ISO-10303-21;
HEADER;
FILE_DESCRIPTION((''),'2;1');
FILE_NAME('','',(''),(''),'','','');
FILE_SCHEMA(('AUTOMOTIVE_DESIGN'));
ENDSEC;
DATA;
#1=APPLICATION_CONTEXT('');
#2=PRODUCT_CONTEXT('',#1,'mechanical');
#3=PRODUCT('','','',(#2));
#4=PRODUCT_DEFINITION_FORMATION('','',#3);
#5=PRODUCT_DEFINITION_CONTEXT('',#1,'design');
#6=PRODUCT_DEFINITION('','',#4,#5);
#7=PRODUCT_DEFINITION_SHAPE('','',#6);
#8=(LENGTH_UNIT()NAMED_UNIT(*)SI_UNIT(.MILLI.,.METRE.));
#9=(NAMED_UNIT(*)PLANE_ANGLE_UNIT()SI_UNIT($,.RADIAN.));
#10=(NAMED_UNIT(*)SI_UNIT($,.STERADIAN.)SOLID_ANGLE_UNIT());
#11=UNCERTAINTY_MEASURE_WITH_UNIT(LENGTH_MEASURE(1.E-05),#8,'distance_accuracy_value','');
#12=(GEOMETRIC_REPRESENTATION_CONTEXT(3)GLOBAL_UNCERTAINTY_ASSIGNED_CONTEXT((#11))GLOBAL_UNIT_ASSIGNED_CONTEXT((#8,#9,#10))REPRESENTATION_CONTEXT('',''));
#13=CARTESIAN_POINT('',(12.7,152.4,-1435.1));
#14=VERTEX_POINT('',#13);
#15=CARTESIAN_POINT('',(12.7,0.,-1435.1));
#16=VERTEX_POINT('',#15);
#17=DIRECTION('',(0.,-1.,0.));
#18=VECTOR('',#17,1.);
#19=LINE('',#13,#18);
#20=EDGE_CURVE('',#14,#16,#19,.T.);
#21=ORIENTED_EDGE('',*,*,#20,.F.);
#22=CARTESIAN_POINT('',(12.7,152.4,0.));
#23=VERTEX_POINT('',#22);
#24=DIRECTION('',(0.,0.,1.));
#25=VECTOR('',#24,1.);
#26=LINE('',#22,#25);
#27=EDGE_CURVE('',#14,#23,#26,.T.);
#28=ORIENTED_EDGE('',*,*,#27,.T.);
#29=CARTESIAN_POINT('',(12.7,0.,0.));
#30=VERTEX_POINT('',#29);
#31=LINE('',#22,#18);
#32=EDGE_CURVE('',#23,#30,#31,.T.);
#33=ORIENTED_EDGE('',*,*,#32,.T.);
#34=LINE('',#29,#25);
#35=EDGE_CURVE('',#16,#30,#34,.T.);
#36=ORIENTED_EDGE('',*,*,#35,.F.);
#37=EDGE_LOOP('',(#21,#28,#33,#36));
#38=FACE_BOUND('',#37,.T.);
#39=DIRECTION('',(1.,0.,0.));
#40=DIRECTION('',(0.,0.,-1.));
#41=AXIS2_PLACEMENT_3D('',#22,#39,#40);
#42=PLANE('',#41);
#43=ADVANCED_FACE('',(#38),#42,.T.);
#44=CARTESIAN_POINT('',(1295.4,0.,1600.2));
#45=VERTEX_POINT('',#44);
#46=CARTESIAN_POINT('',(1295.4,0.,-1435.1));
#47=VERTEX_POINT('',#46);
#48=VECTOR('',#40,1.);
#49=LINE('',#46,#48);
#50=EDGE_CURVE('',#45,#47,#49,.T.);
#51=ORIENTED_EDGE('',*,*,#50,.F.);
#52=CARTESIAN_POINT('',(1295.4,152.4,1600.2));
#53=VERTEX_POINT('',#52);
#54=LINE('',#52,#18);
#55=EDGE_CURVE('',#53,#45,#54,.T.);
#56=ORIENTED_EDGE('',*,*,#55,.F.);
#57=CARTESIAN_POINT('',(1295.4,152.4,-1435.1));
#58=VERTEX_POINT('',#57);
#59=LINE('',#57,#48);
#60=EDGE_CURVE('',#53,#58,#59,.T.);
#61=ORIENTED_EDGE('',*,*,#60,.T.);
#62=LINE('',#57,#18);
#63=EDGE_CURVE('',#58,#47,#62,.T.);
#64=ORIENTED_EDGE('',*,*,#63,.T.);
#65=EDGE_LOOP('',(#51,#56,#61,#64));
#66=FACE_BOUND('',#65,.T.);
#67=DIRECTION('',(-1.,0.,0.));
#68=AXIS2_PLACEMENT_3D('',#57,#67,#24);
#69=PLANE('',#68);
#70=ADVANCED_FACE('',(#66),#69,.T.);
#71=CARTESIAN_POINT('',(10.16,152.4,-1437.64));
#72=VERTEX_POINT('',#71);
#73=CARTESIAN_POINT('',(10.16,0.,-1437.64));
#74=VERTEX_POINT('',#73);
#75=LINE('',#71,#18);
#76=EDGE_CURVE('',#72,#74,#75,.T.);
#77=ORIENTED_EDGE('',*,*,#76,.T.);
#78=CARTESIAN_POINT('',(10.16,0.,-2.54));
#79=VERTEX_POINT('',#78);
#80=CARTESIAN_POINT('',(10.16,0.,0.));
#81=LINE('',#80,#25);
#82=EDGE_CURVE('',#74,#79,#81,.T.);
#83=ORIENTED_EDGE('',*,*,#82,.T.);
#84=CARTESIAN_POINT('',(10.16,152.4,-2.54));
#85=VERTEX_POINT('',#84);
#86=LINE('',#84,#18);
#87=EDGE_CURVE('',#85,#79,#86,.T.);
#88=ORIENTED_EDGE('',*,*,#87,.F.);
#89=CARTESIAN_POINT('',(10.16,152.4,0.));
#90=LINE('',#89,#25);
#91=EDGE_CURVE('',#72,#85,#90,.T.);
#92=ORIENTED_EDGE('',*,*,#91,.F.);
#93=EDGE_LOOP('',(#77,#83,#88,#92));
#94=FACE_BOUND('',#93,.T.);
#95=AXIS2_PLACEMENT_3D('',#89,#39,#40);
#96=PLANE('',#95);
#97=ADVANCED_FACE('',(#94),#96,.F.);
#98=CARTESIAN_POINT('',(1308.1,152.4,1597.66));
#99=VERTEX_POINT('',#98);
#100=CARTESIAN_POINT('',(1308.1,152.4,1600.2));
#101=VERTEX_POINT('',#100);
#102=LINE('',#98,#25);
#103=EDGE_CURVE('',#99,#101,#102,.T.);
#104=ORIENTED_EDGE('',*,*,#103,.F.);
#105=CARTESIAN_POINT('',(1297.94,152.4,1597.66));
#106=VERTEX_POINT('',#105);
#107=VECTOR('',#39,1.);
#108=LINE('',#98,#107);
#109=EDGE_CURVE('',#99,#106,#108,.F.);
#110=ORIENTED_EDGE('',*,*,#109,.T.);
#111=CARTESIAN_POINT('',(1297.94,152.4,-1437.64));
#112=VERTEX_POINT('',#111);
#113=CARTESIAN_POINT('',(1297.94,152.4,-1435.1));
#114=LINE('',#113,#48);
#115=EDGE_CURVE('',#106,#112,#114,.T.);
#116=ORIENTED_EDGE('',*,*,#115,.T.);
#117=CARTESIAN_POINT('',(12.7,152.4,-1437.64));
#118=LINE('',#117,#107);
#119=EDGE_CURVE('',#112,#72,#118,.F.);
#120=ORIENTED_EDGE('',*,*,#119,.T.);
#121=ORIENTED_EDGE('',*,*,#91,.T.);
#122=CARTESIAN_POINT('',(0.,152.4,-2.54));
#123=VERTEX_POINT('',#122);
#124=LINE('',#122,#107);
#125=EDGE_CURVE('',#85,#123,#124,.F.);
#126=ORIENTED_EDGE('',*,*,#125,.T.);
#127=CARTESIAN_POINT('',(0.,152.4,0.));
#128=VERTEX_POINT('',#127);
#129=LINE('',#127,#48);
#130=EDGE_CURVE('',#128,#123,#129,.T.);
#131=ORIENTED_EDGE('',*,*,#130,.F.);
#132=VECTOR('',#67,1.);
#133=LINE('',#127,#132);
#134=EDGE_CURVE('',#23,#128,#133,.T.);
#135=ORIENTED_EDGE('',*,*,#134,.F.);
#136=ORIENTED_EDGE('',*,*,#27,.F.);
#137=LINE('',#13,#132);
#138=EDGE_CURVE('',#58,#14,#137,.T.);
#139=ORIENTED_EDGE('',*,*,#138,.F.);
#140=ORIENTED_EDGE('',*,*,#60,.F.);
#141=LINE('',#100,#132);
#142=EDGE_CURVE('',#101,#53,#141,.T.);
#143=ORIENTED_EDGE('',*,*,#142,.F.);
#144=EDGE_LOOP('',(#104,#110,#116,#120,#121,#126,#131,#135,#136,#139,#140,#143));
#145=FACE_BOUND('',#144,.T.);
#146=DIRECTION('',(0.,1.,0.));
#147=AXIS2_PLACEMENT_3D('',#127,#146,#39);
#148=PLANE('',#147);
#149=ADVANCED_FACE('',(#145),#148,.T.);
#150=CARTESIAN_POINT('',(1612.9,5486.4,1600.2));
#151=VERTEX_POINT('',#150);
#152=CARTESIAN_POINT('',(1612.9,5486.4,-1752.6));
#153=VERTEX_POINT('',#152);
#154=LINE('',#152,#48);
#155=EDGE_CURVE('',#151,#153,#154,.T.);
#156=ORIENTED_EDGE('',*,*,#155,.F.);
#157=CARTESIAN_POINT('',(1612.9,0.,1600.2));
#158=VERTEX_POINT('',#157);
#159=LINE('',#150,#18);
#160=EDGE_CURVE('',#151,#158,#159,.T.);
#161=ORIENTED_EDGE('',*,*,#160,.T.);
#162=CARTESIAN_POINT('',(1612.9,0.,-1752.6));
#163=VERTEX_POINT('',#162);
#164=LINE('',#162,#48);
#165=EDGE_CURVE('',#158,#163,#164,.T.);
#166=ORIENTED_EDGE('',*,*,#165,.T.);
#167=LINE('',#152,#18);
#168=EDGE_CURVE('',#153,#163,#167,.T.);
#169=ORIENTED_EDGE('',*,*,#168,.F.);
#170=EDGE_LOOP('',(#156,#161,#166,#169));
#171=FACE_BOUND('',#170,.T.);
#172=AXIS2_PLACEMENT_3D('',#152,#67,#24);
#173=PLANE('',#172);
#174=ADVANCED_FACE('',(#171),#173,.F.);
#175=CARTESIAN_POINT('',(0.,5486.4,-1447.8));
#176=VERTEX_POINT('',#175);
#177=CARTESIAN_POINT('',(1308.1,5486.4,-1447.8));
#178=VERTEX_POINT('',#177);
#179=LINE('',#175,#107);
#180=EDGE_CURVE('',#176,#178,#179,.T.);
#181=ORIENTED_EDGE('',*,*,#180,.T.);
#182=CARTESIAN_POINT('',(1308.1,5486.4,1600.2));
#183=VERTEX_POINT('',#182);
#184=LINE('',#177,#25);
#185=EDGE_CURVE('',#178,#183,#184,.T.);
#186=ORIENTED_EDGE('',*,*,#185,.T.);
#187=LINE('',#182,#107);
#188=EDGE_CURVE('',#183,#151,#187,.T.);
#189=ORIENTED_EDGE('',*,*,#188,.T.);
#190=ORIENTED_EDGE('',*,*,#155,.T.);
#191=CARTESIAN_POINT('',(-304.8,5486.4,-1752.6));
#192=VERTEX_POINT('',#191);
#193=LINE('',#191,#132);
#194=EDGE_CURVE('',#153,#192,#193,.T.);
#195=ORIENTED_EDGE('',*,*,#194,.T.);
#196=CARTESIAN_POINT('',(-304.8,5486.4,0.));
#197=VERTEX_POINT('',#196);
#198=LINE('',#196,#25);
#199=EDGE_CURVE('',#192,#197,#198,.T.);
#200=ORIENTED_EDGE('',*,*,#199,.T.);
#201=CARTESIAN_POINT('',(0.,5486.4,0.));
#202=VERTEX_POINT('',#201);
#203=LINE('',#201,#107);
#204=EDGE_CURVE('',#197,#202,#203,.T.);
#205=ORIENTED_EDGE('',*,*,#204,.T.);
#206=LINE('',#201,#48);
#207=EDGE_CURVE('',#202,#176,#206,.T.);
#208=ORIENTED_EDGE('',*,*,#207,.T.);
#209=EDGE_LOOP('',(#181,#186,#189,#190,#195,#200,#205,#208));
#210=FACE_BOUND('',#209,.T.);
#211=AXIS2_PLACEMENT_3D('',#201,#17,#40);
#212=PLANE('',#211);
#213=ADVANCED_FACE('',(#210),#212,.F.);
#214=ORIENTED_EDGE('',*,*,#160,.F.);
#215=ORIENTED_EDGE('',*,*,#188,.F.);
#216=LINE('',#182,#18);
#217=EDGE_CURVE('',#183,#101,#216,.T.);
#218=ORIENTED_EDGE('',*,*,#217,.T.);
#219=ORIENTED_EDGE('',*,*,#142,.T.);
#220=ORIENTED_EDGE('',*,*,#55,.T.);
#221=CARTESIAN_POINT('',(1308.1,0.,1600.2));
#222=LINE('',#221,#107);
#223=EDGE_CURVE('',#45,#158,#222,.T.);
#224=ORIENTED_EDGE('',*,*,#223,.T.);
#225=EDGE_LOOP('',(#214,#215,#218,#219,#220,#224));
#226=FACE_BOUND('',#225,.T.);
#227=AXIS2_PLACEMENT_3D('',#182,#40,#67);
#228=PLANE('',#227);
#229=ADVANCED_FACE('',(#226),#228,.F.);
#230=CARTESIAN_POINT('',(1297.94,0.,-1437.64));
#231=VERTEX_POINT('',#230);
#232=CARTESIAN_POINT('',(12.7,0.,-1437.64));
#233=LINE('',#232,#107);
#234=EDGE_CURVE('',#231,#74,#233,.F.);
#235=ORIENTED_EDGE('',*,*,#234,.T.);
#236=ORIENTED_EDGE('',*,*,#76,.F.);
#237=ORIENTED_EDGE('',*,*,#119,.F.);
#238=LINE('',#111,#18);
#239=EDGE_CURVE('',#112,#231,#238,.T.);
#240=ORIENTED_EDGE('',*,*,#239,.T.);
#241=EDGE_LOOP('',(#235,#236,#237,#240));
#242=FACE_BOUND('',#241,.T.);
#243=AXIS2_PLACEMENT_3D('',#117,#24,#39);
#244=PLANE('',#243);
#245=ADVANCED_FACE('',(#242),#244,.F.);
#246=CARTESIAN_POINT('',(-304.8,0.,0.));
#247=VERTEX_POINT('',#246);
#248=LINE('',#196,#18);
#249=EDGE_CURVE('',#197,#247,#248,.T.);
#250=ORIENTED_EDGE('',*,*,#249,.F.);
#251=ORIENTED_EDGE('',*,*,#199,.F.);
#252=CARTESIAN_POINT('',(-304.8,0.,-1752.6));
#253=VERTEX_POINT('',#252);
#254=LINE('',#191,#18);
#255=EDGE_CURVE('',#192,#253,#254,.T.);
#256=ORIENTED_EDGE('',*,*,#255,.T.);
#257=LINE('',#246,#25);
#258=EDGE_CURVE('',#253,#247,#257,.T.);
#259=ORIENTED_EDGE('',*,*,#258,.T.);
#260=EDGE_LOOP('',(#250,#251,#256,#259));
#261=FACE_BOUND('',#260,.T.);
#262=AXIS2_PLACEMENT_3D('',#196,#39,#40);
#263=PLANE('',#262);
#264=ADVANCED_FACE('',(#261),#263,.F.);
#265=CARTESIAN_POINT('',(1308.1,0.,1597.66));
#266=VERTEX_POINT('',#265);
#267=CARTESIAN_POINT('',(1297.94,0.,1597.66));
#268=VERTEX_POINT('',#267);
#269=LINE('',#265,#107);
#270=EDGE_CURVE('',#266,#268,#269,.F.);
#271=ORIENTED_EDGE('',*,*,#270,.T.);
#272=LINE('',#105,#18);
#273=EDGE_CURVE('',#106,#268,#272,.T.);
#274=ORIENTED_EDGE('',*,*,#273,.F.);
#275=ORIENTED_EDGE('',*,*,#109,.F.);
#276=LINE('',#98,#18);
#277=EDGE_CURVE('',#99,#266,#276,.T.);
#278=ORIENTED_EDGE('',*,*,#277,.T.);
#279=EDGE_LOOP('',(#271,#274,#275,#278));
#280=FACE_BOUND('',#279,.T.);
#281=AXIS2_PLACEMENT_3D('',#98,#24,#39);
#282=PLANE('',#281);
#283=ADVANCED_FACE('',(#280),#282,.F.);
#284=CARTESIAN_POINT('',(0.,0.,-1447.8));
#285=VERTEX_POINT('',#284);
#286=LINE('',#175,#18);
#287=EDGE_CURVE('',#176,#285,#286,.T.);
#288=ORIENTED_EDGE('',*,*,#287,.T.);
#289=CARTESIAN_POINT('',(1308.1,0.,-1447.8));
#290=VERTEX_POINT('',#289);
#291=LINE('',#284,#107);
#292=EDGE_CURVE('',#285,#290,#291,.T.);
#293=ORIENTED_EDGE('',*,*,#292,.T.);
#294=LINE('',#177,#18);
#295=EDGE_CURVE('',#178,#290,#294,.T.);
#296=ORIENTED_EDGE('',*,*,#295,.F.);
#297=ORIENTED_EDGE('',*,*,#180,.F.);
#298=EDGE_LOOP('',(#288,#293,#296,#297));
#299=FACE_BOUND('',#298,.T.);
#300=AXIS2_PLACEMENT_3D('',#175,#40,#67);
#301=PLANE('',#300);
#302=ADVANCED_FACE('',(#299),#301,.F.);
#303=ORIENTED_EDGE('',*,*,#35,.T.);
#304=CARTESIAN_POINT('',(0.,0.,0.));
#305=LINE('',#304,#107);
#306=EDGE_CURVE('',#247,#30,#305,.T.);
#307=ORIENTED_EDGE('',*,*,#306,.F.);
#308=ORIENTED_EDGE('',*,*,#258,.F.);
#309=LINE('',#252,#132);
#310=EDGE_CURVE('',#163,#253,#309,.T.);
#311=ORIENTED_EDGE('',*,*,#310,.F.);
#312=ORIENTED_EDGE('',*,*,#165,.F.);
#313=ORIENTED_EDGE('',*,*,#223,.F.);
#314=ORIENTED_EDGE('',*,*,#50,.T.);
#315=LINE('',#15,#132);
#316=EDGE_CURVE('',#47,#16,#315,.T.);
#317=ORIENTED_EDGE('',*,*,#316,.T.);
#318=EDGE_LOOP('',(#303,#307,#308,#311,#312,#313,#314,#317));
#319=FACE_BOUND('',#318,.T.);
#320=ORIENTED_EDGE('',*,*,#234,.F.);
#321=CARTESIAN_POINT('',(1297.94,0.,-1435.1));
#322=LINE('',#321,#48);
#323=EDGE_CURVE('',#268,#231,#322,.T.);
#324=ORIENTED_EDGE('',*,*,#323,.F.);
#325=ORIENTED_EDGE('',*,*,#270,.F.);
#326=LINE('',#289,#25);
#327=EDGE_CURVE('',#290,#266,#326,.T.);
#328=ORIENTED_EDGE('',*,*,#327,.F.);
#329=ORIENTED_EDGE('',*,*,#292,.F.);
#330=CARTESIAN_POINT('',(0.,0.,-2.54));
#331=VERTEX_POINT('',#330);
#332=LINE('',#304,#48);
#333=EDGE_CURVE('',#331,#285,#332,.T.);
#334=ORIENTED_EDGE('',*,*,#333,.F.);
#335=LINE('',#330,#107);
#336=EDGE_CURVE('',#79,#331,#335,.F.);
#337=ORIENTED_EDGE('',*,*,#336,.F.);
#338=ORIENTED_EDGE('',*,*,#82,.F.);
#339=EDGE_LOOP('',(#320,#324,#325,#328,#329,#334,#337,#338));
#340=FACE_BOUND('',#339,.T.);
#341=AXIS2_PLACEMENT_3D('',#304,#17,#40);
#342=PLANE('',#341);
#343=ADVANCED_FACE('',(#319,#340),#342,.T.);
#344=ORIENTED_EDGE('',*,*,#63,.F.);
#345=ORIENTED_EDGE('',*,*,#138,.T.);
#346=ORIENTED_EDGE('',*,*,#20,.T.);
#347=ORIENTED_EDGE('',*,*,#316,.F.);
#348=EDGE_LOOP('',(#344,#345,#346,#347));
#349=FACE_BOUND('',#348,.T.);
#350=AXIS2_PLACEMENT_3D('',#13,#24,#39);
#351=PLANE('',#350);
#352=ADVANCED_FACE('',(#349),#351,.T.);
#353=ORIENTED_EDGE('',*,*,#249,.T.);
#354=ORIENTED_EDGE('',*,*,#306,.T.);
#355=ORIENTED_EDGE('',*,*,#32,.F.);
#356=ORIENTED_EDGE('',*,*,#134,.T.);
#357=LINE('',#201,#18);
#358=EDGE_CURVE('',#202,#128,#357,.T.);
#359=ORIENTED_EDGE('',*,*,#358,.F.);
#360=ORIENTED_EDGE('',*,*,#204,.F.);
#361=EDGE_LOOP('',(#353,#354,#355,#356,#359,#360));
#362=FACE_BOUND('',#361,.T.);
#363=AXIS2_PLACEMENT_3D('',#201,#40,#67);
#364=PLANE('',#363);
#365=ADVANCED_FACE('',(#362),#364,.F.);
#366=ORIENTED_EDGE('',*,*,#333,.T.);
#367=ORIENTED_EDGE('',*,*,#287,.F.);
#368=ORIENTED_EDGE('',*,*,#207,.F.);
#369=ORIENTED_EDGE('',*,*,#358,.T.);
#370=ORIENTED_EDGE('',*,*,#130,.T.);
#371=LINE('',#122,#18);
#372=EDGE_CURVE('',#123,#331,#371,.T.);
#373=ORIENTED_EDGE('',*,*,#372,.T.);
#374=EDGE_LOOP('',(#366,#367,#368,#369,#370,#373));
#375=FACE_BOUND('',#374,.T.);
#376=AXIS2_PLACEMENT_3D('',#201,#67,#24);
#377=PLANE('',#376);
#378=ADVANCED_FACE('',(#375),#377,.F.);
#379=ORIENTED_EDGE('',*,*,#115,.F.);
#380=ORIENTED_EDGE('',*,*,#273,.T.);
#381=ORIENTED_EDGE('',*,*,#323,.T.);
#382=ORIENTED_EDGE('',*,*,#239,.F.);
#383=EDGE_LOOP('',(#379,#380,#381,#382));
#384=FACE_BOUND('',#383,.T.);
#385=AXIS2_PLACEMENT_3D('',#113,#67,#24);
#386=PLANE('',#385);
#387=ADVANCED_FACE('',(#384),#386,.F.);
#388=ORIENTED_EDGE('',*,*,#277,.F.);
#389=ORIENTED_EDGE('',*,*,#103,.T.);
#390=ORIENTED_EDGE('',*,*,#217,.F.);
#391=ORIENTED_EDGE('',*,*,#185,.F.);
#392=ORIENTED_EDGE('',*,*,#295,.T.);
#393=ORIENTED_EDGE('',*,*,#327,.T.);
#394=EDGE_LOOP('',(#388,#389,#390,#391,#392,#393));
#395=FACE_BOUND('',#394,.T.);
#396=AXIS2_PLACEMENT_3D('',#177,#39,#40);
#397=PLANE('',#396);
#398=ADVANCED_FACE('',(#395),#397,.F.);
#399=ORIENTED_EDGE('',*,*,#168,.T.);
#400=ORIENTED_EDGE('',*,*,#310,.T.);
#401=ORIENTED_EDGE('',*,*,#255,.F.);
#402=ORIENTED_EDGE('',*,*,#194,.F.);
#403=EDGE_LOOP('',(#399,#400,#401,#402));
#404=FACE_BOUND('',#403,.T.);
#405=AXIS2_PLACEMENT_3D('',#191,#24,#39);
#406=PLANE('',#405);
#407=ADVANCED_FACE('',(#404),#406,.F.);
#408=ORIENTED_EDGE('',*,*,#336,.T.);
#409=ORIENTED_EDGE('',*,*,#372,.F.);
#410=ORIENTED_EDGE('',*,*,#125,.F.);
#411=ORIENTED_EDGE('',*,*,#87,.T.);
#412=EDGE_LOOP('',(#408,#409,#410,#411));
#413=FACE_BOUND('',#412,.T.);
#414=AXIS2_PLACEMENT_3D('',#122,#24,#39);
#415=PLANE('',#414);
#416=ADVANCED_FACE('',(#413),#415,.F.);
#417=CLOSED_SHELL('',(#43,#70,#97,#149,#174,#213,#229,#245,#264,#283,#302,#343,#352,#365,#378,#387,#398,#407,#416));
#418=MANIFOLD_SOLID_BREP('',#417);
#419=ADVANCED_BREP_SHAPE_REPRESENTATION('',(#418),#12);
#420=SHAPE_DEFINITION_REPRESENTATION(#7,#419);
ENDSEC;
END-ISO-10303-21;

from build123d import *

# Parameters (mm, degrees)
BOSS_EXTRUDE1_DEPTH = 5486.4
EXTRUDE_THIN1_DEPTH = 152.4


with BuildPart() as part:
    # Sketch1 → Boss-Extrude1 (new body)
    with BuildSketch(Plane(origin=(0, 0, 0), x_dir=(1, 0, 0), z_dir=(0, 1, 0))):
        Polygon((-304.8, 0), (-304.8, 1752.6), (1612.9, 1752.6), (1612.9, -1600.2), (1308.1, -1600.2), (1308.1, 1447.8), (0, 1447.8), (0, 0), align=None)
    extrude(amount=BOSS_EXTRUDE1_DEPTH)

    # Sketch2 → Extrude-Thin1 (add)
    with BuildSketch(Plane(origin=(0, 0, 0), x_dir=(1, 0, 0), z_dir=(0, 1, 0))):
        Polygon((0, 0), (12.7, 0), (12.7, 1435.1), (1295.4, 1435.1), (1295.4, -1600.2), (1308.1, -1600.2), (1308.1, -1597.66), (1297.94, -1597.66), (1297.94, 1437.64), (10.16, 1437.64), (10.16, 2.54), (0, 2.54), align=None)
    extrude(amount=EXTRUDE_THIN1_DEPTH)


solid = part.part
